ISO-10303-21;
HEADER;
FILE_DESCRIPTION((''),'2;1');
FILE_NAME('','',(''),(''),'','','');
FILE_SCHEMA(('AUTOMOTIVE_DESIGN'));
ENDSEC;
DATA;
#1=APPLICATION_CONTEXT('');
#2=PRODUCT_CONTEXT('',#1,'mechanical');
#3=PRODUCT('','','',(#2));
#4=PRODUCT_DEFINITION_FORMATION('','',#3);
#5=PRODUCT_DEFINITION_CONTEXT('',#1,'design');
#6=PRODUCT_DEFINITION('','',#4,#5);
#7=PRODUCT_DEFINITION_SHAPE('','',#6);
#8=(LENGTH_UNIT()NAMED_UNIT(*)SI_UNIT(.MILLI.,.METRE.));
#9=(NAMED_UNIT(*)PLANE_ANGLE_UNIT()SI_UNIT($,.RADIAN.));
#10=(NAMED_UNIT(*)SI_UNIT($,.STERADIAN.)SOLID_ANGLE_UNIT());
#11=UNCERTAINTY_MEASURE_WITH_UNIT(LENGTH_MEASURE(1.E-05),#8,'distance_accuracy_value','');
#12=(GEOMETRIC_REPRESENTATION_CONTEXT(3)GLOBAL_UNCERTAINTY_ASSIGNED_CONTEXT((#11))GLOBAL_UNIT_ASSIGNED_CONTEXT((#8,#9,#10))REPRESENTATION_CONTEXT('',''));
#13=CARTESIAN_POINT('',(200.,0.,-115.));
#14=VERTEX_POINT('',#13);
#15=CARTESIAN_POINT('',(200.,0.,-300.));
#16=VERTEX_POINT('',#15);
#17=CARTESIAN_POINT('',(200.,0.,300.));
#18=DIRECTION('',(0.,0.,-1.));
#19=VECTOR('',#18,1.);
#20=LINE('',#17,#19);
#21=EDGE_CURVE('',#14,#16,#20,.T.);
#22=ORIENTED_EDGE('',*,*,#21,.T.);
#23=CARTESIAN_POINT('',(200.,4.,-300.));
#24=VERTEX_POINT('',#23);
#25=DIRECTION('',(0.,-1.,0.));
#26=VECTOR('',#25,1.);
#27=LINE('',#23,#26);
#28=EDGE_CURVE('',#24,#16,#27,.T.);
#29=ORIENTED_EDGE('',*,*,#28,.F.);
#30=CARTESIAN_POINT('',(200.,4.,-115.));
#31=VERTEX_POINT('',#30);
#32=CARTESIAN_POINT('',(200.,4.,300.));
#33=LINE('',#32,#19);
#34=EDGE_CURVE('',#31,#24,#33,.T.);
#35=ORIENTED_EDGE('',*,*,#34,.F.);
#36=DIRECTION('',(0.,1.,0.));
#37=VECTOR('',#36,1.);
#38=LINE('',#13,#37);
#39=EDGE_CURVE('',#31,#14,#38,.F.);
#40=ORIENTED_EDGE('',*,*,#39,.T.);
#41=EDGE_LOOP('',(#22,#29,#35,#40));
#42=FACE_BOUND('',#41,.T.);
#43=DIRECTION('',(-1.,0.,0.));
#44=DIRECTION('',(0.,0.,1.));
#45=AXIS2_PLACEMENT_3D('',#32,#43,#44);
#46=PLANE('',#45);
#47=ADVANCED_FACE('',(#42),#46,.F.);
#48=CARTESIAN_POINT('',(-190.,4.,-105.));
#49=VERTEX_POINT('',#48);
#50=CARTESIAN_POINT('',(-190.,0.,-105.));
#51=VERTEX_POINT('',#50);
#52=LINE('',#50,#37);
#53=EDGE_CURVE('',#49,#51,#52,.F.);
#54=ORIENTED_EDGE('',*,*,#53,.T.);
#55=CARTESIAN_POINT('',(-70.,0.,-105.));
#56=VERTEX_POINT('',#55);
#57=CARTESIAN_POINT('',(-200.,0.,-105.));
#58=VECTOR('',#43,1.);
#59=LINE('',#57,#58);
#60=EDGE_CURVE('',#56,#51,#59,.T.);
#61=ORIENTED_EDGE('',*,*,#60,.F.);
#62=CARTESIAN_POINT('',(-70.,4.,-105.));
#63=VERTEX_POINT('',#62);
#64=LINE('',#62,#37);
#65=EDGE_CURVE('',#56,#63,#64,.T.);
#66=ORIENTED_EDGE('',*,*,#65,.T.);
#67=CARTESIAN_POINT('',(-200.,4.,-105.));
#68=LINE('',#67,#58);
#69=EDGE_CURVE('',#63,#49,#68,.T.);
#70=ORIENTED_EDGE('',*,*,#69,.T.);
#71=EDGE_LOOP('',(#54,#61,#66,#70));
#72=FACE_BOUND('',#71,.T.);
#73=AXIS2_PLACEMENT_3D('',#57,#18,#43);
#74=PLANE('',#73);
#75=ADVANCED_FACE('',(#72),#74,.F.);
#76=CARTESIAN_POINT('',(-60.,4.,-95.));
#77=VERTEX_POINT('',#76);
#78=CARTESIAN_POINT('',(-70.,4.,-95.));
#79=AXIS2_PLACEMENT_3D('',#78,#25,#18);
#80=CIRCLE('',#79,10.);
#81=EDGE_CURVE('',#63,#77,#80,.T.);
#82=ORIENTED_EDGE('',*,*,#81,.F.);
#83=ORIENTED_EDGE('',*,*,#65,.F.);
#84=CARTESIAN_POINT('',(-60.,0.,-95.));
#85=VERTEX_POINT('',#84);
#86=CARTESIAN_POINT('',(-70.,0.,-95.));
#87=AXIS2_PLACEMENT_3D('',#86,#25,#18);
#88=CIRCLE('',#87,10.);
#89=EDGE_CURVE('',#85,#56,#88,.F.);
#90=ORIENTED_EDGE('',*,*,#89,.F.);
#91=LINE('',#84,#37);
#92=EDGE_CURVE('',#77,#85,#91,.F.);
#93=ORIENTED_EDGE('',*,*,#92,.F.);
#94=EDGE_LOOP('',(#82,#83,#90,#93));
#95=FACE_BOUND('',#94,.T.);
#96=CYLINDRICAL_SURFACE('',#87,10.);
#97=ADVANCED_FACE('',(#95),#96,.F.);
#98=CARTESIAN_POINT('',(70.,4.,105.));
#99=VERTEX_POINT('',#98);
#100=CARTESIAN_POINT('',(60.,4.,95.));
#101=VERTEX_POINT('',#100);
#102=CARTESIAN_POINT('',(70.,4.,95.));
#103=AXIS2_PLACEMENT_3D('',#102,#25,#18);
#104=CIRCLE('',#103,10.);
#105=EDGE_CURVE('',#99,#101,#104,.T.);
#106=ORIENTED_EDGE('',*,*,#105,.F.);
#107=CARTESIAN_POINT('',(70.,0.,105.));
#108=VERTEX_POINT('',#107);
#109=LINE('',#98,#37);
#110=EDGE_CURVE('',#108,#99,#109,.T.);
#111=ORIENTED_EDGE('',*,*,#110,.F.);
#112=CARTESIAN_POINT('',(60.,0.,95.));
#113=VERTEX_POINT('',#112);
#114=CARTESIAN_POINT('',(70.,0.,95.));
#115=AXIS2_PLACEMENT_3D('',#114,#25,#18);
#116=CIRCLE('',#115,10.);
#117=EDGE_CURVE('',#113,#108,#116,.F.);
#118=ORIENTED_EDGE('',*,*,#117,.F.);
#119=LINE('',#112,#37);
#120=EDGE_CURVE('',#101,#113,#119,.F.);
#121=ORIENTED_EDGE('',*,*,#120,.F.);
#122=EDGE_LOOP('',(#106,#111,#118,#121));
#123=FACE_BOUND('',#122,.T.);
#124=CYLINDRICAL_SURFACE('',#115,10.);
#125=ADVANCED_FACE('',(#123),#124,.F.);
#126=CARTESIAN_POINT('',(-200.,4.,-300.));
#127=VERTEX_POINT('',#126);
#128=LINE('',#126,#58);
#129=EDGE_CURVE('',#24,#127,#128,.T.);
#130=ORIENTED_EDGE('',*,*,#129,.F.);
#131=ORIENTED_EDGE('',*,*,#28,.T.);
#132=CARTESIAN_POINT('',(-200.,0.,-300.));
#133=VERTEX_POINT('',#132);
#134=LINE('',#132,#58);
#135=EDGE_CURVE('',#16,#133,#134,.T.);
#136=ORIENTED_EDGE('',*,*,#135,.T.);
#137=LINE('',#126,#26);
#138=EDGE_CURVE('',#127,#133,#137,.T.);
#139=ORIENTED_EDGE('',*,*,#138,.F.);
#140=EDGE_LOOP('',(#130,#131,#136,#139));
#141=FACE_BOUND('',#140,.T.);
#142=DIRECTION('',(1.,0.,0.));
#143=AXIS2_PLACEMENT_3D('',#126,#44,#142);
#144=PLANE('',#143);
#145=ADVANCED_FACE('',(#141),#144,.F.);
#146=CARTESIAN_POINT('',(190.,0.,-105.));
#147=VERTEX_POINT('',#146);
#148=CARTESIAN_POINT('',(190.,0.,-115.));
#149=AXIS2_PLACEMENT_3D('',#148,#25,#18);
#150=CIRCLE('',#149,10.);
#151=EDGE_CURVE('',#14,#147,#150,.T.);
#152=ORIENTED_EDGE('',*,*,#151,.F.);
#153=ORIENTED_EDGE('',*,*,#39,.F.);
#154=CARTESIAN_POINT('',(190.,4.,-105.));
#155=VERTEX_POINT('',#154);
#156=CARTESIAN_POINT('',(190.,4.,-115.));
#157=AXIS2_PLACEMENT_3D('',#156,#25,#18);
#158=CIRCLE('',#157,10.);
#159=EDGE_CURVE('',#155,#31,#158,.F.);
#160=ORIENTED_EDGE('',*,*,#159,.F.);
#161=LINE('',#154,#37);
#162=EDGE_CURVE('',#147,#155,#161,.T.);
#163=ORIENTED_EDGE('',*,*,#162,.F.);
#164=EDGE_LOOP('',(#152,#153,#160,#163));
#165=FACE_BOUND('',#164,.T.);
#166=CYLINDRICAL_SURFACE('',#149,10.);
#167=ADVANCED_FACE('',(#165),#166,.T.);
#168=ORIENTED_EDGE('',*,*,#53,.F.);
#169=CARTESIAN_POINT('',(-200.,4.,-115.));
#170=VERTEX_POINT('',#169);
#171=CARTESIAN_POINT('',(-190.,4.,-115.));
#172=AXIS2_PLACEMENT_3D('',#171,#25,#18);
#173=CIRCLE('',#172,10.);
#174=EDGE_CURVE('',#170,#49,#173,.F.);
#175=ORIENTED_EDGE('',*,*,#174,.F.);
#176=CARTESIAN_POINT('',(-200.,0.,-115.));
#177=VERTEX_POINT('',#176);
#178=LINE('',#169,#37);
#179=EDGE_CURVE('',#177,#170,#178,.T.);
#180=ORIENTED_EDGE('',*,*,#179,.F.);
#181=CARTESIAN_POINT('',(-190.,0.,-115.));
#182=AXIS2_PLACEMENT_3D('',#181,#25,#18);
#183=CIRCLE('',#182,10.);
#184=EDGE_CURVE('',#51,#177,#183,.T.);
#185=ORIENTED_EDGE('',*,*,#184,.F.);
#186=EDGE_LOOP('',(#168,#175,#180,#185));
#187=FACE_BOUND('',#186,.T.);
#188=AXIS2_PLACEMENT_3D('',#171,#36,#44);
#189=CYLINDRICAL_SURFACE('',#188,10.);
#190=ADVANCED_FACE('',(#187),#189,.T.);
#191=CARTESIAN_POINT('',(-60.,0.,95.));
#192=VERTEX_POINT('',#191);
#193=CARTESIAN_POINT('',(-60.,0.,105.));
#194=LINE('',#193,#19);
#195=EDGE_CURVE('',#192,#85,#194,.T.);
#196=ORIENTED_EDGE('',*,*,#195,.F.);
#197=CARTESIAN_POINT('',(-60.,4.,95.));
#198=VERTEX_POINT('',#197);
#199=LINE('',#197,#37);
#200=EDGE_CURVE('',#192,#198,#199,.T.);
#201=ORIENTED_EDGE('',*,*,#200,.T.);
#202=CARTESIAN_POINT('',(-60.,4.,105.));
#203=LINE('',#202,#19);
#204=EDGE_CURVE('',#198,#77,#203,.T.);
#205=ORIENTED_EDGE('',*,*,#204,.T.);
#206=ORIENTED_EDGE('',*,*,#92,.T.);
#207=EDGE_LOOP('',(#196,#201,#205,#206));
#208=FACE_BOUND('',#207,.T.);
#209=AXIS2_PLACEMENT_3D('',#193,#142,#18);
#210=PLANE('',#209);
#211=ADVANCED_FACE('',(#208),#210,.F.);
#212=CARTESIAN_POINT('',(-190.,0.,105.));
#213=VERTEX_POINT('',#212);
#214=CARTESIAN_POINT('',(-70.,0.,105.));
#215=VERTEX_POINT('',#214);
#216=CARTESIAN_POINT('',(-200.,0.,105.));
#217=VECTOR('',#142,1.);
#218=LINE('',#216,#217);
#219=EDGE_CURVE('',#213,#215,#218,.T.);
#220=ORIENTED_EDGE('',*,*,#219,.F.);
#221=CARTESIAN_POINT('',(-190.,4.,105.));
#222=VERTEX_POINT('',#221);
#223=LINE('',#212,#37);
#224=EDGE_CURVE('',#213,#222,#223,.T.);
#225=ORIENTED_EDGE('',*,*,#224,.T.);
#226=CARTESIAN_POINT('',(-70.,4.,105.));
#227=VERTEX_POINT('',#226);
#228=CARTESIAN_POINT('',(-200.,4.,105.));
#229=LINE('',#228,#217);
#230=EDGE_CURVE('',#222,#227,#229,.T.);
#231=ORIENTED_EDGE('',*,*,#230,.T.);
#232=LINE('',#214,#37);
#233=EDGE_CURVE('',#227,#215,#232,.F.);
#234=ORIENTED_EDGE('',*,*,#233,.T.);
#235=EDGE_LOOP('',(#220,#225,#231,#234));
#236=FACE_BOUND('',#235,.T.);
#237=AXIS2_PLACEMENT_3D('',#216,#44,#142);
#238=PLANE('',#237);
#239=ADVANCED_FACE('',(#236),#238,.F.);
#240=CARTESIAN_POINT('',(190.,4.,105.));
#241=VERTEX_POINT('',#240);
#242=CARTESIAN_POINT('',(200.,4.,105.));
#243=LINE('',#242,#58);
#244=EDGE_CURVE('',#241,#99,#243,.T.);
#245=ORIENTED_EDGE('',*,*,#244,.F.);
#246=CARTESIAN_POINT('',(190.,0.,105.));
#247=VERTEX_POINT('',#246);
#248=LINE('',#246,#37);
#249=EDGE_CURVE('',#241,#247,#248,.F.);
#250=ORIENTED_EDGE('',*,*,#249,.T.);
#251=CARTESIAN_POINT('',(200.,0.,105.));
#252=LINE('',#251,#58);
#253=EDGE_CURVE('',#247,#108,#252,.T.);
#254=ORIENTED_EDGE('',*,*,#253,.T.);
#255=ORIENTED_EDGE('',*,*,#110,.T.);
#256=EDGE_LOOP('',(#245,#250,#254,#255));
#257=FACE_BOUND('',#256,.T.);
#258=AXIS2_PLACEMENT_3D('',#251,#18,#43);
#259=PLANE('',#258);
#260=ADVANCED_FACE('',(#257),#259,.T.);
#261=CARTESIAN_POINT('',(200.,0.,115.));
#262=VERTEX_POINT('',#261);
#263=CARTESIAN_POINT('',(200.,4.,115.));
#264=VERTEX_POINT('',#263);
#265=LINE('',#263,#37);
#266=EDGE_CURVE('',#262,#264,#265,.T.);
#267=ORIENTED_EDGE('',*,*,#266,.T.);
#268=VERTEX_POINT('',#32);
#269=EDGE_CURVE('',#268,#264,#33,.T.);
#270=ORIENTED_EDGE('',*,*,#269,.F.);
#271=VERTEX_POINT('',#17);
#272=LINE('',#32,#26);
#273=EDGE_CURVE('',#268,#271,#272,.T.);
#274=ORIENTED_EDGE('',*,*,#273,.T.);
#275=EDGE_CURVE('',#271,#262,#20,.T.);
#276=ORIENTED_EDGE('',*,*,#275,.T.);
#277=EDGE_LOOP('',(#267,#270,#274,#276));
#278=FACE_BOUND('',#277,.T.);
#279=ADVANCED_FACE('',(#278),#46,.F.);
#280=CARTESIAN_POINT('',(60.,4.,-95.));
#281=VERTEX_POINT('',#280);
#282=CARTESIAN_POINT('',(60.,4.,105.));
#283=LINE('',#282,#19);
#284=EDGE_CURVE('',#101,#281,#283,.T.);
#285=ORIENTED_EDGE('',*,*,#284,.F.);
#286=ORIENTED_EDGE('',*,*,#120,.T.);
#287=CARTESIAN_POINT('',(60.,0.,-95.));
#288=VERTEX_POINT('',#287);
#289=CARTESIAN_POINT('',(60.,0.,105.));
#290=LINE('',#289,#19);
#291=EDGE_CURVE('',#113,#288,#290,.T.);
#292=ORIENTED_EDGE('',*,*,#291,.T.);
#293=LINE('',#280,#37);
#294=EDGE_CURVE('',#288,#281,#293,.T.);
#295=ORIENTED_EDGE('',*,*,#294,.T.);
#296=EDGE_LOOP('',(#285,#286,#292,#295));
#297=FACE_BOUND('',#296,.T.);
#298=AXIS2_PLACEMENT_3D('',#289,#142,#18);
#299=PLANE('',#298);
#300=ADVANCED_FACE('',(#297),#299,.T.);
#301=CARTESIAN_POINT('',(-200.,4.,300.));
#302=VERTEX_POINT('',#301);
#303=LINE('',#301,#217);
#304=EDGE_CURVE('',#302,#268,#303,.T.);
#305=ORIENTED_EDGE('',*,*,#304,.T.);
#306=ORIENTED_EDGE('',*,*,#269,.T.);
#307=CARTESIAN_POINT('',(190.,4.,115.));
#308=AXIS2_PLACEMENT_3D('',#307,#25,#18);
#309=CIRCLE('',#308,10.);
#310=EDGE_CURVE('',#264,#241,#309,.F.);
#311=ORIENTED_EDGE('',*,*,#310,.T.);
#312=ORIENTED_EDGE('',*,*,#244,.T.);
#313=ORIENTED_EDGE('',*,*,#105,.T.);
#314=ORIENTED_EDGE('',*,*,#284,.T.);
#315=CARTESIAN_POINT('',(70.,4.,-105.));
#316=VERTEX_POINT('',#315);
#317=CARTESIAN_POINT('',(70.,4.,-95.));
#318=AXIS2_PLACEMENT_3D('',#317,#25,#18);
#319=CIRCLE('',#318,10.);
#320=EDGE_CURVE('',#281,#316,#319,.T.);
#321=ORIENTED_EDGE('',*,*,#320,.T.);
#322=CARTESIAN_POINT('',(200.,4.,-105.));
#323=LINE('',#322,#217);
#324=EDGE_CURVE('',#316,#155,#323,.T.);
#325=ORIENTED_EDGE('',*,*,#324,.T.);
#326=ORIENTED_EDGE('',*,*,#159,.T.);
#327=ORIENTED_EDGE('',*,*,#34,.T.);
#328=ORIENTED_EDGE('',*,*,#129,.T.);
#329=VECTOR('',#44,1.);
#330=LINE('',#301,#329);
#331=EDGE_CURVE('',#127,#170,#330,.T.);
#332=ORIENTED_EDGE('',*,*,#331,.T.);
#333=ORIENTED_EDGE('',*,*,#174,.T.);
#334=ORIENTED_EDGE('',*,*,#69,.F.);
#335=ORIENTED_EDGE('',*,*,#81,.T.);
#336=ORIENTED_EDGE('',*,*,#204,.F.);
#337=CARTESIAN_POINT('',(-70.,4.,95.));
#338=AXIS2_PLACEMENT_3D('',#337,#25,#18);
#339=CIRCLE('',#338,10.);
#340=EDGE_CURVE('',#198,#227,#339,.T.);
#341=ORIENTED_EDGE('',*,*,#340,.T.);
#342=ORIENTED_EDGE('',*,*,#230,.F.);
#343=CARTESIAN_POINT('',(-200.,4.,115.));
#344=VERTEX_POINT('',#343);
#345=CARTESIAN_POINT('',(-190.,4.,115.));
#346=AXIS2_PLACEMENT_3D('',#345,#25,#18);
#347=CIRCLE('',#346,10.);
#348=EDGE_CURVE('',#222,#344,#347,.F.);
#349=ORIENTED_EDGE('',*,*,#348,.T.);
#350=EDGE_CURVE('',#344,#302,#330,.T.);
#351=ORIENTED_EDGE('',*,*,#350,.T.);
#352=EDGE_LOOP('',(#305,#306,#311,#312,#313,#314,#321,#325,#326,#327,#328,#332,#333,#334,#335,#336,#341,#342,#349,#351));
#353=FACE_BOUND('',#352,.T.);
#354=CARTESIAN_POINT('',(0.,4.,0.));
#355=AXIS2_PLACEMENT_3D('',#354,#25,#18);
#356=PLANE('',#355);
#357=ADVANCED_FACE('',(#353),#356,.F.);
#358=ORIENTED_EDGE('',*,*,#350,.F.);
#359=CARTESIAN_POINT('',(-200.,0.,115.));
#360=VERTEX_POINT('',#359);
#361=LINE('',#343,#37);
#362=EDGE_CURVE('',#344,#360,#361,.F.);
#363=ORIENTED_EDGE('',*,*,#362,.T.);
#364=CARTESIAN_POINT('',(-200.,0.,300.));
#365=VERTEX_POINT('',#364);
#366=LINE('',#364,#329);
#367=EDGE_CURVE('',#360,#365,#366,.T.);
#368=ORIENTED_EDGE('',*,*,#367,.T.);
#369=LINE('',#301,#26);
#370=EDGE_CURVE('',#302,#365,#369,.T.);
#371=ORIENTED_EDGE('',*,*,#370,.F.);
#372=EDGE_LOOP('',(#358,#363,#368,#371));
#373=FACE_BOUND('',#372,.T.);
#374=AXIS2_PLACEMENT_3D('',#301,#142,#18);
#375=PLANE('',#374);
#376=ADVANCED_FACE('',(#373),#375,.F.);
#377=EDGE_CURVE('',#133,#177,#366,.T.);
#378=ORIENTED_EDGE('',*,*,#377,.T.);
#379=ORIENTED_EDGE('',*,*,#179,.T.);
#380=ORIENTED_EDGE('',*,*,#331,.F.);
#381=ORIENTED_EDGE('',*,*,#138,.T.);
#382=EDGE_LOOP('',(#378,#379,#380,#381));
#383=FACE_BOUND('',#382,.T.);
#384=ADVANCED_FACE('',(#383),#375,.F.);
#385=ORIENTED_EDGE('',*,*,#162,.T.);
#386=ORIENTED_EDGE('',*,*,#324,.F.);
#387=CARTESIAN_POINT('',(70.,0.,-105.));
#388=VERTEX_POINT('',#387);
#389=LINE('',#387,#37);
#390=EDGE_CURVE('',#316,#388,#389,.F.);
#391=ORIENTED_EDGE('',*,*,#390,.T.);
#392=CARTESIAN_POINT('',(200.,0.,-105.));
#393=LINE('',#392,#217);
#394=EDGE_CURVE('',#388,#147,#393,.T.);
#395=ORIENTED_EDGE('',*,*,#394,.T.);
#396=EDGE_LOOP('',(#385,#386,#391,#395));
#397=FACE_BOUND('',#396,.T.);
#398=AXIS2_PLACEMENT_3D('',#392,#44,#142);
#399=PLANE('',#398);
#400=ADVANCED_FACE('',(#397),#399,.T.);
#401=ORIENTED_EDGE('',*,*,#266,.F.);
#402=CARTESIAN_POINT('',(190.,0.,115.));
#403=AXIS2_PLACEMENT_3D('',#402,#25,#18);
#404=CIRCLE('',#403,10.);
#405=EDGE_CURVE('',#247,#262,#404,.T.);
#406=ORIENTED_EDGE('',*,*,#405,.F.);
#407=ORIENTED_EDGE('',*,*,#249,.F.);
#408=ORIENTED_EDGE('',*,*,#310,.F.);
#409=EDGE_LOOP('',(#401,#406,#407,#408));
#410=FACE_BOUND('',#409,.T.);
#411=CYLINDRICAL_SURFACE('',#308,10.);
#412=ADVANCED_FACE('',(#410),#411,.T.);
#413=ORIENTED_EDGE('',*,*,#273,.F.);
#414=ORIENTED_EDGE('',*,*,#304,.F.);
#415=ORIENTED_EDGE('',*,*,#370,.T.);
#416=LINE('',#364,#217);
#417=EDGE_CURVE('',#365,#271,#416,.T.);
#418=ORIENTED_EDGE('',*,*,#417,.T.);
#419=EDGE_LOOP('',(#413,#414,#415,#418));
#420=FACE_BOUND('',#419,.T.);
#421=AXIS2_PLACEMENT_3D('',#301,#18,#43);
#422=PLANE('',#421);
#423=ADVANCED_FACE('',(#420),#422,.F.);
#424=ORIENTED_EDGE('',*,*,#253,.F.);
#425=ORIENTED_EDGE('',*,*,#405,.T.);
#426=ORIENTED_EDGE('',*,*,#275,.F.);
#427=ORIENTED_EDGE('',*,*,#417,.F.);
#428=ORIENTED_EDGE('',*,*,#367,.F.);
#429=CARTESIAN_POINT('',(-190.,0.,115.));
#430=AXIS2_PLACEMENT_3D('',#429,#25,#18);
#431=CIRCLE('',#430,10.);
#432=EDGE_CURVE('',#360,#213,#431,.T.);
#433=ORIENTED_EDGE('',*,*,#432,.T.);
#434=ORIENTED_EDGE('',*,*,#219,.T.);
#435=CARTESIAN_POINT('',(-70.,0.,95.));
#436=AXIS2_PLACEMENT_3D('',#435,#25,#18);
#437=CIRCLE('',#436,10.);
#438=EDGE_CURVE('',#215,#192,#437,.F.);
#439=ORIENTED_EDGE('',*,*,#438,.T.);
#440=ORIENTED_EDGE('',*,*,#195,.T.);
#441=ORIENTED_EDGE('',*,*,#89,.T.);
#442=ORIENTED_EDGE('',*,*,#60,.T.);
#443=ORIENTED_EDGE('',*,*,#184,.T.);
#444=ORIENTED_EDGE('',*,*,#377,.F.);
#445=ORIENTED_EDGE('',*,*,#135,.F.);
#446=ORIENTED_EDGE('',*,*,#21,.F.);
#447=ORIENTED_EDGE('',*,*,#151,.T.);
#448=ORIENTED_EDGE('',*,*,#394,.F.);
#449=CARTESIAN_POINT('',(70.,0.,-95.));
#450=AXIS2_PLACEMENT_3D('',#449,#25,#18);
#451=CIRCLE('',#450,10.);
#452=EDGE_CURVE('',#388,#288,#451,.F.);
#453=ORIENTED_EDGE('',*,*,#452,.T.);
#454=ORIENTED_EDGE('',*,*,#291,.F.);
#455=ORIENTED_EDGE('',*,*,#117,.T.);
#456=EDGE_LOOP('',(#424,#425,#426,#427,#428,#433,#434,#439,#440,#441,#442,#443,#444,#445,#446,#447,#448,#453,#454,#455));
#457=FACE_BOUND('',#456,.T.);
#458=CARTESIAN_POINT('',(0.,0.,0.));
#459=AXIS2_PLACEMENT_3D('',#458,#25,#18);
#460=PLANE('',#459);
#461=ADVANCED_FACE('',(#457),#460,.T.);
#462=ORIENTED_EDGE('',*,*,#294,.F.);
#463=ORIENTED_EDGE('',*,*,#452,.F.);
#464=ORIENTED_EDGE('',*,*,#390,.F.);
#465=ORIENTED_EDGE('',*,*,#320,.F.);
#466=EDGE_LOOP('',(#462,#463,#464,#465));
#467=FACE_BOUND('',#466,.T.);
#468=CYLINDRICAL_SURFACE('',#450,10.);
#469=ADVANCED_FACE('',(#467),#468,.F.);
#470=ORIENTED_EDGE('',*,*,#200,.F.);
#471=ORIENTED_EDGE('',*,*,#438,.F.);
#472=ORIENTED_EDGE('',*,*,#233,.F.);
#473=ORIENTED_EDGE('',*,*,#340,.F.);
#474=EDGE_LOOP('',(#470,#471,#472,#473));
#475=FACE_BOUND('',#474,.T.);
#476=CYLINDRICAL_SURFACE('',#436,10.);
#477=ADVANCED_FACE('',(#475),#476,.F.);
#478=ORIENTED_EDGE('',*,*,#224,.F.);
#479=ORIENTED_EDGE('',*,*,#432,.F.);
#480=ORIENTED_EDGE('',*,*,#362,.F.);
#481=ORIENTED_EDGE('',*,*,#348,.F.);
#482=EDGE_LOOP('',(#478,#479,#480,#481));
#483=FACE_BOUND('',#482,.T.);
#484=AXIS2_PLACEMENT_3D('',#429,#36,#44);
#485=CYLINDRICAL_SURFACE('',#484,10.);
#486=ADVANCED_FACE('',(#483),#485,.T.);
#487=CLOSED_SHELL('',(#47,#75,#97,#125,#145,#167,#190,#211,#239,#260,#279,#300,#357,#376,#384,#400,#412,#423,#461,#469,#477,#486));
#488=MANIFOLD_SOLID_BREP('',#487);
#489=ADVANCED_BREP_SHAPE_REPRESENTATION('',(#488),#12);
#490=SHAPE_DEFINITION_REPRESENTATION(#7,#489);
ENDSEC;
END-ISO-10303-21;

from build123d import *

# Parameters (mm, degrees)
SKETCH_1_W          = 400
SKETCH_1_H          = 600
EXTRUDE_1_DEPTH     = 4
SKETCH_2_W          = 140
SKETCH_2_H          = 210
CUT_EXTRUDE_3_DEPTH = 361.577314872
FILLET_1_R          = 10


with BuildPart() as part:
    # 草图1 → 凸台-拉伸1 (new body)
    with BuildSketch(Plane(origin=(0, 0, 0), x_dir=(1, 0, 0), z_dir=(0, 1, 0))):
        Rectangle(SKETCH_1_W, SKETCH_1_H)
    extrude(amount=EXTRUDE_1_DEPTH)

    # 草图2 → 切除-拉伸3 (cut, through all)
    with BuildSketch(Plane(origin=(0, 4, 0), x_dir=(1, 0, 0), z_dir=(0, 1, 0))):
        with Locations((-130, 0)):
            Rectangle(SKETCH_2_W, SKETCH_2_H)
    cut_extrude_3 = extrude(amount=-CUT_EXTRUDE_3_DEPTH, mode=Mode.SUBTRACT)

    # 镜向1: 切除-拉伸3 across plane
    add(cut_extrude_3.mirror(Plane(origin=(0, 0, 0), x_dir=(0, 0, 1), z_dir=(1, 0, 0))), mode=Mode.SUBTRACT)

    # 圆角1
    fillet_1_edges = [part.edges().sort_by_distance(p)[0] for p in [
        (-60, 2, -105),
        (-60, 2, 105),
        (-200, 2, 105),
        (-200, 2, -105),
        (60, 2, 105),
        (60, 2, -105),
        (200, 2, -105),
        (200, 2, 105),
    ]]
    fillet(fillet_1_edges, radius=FILLET_1_R)


solid = part.part
